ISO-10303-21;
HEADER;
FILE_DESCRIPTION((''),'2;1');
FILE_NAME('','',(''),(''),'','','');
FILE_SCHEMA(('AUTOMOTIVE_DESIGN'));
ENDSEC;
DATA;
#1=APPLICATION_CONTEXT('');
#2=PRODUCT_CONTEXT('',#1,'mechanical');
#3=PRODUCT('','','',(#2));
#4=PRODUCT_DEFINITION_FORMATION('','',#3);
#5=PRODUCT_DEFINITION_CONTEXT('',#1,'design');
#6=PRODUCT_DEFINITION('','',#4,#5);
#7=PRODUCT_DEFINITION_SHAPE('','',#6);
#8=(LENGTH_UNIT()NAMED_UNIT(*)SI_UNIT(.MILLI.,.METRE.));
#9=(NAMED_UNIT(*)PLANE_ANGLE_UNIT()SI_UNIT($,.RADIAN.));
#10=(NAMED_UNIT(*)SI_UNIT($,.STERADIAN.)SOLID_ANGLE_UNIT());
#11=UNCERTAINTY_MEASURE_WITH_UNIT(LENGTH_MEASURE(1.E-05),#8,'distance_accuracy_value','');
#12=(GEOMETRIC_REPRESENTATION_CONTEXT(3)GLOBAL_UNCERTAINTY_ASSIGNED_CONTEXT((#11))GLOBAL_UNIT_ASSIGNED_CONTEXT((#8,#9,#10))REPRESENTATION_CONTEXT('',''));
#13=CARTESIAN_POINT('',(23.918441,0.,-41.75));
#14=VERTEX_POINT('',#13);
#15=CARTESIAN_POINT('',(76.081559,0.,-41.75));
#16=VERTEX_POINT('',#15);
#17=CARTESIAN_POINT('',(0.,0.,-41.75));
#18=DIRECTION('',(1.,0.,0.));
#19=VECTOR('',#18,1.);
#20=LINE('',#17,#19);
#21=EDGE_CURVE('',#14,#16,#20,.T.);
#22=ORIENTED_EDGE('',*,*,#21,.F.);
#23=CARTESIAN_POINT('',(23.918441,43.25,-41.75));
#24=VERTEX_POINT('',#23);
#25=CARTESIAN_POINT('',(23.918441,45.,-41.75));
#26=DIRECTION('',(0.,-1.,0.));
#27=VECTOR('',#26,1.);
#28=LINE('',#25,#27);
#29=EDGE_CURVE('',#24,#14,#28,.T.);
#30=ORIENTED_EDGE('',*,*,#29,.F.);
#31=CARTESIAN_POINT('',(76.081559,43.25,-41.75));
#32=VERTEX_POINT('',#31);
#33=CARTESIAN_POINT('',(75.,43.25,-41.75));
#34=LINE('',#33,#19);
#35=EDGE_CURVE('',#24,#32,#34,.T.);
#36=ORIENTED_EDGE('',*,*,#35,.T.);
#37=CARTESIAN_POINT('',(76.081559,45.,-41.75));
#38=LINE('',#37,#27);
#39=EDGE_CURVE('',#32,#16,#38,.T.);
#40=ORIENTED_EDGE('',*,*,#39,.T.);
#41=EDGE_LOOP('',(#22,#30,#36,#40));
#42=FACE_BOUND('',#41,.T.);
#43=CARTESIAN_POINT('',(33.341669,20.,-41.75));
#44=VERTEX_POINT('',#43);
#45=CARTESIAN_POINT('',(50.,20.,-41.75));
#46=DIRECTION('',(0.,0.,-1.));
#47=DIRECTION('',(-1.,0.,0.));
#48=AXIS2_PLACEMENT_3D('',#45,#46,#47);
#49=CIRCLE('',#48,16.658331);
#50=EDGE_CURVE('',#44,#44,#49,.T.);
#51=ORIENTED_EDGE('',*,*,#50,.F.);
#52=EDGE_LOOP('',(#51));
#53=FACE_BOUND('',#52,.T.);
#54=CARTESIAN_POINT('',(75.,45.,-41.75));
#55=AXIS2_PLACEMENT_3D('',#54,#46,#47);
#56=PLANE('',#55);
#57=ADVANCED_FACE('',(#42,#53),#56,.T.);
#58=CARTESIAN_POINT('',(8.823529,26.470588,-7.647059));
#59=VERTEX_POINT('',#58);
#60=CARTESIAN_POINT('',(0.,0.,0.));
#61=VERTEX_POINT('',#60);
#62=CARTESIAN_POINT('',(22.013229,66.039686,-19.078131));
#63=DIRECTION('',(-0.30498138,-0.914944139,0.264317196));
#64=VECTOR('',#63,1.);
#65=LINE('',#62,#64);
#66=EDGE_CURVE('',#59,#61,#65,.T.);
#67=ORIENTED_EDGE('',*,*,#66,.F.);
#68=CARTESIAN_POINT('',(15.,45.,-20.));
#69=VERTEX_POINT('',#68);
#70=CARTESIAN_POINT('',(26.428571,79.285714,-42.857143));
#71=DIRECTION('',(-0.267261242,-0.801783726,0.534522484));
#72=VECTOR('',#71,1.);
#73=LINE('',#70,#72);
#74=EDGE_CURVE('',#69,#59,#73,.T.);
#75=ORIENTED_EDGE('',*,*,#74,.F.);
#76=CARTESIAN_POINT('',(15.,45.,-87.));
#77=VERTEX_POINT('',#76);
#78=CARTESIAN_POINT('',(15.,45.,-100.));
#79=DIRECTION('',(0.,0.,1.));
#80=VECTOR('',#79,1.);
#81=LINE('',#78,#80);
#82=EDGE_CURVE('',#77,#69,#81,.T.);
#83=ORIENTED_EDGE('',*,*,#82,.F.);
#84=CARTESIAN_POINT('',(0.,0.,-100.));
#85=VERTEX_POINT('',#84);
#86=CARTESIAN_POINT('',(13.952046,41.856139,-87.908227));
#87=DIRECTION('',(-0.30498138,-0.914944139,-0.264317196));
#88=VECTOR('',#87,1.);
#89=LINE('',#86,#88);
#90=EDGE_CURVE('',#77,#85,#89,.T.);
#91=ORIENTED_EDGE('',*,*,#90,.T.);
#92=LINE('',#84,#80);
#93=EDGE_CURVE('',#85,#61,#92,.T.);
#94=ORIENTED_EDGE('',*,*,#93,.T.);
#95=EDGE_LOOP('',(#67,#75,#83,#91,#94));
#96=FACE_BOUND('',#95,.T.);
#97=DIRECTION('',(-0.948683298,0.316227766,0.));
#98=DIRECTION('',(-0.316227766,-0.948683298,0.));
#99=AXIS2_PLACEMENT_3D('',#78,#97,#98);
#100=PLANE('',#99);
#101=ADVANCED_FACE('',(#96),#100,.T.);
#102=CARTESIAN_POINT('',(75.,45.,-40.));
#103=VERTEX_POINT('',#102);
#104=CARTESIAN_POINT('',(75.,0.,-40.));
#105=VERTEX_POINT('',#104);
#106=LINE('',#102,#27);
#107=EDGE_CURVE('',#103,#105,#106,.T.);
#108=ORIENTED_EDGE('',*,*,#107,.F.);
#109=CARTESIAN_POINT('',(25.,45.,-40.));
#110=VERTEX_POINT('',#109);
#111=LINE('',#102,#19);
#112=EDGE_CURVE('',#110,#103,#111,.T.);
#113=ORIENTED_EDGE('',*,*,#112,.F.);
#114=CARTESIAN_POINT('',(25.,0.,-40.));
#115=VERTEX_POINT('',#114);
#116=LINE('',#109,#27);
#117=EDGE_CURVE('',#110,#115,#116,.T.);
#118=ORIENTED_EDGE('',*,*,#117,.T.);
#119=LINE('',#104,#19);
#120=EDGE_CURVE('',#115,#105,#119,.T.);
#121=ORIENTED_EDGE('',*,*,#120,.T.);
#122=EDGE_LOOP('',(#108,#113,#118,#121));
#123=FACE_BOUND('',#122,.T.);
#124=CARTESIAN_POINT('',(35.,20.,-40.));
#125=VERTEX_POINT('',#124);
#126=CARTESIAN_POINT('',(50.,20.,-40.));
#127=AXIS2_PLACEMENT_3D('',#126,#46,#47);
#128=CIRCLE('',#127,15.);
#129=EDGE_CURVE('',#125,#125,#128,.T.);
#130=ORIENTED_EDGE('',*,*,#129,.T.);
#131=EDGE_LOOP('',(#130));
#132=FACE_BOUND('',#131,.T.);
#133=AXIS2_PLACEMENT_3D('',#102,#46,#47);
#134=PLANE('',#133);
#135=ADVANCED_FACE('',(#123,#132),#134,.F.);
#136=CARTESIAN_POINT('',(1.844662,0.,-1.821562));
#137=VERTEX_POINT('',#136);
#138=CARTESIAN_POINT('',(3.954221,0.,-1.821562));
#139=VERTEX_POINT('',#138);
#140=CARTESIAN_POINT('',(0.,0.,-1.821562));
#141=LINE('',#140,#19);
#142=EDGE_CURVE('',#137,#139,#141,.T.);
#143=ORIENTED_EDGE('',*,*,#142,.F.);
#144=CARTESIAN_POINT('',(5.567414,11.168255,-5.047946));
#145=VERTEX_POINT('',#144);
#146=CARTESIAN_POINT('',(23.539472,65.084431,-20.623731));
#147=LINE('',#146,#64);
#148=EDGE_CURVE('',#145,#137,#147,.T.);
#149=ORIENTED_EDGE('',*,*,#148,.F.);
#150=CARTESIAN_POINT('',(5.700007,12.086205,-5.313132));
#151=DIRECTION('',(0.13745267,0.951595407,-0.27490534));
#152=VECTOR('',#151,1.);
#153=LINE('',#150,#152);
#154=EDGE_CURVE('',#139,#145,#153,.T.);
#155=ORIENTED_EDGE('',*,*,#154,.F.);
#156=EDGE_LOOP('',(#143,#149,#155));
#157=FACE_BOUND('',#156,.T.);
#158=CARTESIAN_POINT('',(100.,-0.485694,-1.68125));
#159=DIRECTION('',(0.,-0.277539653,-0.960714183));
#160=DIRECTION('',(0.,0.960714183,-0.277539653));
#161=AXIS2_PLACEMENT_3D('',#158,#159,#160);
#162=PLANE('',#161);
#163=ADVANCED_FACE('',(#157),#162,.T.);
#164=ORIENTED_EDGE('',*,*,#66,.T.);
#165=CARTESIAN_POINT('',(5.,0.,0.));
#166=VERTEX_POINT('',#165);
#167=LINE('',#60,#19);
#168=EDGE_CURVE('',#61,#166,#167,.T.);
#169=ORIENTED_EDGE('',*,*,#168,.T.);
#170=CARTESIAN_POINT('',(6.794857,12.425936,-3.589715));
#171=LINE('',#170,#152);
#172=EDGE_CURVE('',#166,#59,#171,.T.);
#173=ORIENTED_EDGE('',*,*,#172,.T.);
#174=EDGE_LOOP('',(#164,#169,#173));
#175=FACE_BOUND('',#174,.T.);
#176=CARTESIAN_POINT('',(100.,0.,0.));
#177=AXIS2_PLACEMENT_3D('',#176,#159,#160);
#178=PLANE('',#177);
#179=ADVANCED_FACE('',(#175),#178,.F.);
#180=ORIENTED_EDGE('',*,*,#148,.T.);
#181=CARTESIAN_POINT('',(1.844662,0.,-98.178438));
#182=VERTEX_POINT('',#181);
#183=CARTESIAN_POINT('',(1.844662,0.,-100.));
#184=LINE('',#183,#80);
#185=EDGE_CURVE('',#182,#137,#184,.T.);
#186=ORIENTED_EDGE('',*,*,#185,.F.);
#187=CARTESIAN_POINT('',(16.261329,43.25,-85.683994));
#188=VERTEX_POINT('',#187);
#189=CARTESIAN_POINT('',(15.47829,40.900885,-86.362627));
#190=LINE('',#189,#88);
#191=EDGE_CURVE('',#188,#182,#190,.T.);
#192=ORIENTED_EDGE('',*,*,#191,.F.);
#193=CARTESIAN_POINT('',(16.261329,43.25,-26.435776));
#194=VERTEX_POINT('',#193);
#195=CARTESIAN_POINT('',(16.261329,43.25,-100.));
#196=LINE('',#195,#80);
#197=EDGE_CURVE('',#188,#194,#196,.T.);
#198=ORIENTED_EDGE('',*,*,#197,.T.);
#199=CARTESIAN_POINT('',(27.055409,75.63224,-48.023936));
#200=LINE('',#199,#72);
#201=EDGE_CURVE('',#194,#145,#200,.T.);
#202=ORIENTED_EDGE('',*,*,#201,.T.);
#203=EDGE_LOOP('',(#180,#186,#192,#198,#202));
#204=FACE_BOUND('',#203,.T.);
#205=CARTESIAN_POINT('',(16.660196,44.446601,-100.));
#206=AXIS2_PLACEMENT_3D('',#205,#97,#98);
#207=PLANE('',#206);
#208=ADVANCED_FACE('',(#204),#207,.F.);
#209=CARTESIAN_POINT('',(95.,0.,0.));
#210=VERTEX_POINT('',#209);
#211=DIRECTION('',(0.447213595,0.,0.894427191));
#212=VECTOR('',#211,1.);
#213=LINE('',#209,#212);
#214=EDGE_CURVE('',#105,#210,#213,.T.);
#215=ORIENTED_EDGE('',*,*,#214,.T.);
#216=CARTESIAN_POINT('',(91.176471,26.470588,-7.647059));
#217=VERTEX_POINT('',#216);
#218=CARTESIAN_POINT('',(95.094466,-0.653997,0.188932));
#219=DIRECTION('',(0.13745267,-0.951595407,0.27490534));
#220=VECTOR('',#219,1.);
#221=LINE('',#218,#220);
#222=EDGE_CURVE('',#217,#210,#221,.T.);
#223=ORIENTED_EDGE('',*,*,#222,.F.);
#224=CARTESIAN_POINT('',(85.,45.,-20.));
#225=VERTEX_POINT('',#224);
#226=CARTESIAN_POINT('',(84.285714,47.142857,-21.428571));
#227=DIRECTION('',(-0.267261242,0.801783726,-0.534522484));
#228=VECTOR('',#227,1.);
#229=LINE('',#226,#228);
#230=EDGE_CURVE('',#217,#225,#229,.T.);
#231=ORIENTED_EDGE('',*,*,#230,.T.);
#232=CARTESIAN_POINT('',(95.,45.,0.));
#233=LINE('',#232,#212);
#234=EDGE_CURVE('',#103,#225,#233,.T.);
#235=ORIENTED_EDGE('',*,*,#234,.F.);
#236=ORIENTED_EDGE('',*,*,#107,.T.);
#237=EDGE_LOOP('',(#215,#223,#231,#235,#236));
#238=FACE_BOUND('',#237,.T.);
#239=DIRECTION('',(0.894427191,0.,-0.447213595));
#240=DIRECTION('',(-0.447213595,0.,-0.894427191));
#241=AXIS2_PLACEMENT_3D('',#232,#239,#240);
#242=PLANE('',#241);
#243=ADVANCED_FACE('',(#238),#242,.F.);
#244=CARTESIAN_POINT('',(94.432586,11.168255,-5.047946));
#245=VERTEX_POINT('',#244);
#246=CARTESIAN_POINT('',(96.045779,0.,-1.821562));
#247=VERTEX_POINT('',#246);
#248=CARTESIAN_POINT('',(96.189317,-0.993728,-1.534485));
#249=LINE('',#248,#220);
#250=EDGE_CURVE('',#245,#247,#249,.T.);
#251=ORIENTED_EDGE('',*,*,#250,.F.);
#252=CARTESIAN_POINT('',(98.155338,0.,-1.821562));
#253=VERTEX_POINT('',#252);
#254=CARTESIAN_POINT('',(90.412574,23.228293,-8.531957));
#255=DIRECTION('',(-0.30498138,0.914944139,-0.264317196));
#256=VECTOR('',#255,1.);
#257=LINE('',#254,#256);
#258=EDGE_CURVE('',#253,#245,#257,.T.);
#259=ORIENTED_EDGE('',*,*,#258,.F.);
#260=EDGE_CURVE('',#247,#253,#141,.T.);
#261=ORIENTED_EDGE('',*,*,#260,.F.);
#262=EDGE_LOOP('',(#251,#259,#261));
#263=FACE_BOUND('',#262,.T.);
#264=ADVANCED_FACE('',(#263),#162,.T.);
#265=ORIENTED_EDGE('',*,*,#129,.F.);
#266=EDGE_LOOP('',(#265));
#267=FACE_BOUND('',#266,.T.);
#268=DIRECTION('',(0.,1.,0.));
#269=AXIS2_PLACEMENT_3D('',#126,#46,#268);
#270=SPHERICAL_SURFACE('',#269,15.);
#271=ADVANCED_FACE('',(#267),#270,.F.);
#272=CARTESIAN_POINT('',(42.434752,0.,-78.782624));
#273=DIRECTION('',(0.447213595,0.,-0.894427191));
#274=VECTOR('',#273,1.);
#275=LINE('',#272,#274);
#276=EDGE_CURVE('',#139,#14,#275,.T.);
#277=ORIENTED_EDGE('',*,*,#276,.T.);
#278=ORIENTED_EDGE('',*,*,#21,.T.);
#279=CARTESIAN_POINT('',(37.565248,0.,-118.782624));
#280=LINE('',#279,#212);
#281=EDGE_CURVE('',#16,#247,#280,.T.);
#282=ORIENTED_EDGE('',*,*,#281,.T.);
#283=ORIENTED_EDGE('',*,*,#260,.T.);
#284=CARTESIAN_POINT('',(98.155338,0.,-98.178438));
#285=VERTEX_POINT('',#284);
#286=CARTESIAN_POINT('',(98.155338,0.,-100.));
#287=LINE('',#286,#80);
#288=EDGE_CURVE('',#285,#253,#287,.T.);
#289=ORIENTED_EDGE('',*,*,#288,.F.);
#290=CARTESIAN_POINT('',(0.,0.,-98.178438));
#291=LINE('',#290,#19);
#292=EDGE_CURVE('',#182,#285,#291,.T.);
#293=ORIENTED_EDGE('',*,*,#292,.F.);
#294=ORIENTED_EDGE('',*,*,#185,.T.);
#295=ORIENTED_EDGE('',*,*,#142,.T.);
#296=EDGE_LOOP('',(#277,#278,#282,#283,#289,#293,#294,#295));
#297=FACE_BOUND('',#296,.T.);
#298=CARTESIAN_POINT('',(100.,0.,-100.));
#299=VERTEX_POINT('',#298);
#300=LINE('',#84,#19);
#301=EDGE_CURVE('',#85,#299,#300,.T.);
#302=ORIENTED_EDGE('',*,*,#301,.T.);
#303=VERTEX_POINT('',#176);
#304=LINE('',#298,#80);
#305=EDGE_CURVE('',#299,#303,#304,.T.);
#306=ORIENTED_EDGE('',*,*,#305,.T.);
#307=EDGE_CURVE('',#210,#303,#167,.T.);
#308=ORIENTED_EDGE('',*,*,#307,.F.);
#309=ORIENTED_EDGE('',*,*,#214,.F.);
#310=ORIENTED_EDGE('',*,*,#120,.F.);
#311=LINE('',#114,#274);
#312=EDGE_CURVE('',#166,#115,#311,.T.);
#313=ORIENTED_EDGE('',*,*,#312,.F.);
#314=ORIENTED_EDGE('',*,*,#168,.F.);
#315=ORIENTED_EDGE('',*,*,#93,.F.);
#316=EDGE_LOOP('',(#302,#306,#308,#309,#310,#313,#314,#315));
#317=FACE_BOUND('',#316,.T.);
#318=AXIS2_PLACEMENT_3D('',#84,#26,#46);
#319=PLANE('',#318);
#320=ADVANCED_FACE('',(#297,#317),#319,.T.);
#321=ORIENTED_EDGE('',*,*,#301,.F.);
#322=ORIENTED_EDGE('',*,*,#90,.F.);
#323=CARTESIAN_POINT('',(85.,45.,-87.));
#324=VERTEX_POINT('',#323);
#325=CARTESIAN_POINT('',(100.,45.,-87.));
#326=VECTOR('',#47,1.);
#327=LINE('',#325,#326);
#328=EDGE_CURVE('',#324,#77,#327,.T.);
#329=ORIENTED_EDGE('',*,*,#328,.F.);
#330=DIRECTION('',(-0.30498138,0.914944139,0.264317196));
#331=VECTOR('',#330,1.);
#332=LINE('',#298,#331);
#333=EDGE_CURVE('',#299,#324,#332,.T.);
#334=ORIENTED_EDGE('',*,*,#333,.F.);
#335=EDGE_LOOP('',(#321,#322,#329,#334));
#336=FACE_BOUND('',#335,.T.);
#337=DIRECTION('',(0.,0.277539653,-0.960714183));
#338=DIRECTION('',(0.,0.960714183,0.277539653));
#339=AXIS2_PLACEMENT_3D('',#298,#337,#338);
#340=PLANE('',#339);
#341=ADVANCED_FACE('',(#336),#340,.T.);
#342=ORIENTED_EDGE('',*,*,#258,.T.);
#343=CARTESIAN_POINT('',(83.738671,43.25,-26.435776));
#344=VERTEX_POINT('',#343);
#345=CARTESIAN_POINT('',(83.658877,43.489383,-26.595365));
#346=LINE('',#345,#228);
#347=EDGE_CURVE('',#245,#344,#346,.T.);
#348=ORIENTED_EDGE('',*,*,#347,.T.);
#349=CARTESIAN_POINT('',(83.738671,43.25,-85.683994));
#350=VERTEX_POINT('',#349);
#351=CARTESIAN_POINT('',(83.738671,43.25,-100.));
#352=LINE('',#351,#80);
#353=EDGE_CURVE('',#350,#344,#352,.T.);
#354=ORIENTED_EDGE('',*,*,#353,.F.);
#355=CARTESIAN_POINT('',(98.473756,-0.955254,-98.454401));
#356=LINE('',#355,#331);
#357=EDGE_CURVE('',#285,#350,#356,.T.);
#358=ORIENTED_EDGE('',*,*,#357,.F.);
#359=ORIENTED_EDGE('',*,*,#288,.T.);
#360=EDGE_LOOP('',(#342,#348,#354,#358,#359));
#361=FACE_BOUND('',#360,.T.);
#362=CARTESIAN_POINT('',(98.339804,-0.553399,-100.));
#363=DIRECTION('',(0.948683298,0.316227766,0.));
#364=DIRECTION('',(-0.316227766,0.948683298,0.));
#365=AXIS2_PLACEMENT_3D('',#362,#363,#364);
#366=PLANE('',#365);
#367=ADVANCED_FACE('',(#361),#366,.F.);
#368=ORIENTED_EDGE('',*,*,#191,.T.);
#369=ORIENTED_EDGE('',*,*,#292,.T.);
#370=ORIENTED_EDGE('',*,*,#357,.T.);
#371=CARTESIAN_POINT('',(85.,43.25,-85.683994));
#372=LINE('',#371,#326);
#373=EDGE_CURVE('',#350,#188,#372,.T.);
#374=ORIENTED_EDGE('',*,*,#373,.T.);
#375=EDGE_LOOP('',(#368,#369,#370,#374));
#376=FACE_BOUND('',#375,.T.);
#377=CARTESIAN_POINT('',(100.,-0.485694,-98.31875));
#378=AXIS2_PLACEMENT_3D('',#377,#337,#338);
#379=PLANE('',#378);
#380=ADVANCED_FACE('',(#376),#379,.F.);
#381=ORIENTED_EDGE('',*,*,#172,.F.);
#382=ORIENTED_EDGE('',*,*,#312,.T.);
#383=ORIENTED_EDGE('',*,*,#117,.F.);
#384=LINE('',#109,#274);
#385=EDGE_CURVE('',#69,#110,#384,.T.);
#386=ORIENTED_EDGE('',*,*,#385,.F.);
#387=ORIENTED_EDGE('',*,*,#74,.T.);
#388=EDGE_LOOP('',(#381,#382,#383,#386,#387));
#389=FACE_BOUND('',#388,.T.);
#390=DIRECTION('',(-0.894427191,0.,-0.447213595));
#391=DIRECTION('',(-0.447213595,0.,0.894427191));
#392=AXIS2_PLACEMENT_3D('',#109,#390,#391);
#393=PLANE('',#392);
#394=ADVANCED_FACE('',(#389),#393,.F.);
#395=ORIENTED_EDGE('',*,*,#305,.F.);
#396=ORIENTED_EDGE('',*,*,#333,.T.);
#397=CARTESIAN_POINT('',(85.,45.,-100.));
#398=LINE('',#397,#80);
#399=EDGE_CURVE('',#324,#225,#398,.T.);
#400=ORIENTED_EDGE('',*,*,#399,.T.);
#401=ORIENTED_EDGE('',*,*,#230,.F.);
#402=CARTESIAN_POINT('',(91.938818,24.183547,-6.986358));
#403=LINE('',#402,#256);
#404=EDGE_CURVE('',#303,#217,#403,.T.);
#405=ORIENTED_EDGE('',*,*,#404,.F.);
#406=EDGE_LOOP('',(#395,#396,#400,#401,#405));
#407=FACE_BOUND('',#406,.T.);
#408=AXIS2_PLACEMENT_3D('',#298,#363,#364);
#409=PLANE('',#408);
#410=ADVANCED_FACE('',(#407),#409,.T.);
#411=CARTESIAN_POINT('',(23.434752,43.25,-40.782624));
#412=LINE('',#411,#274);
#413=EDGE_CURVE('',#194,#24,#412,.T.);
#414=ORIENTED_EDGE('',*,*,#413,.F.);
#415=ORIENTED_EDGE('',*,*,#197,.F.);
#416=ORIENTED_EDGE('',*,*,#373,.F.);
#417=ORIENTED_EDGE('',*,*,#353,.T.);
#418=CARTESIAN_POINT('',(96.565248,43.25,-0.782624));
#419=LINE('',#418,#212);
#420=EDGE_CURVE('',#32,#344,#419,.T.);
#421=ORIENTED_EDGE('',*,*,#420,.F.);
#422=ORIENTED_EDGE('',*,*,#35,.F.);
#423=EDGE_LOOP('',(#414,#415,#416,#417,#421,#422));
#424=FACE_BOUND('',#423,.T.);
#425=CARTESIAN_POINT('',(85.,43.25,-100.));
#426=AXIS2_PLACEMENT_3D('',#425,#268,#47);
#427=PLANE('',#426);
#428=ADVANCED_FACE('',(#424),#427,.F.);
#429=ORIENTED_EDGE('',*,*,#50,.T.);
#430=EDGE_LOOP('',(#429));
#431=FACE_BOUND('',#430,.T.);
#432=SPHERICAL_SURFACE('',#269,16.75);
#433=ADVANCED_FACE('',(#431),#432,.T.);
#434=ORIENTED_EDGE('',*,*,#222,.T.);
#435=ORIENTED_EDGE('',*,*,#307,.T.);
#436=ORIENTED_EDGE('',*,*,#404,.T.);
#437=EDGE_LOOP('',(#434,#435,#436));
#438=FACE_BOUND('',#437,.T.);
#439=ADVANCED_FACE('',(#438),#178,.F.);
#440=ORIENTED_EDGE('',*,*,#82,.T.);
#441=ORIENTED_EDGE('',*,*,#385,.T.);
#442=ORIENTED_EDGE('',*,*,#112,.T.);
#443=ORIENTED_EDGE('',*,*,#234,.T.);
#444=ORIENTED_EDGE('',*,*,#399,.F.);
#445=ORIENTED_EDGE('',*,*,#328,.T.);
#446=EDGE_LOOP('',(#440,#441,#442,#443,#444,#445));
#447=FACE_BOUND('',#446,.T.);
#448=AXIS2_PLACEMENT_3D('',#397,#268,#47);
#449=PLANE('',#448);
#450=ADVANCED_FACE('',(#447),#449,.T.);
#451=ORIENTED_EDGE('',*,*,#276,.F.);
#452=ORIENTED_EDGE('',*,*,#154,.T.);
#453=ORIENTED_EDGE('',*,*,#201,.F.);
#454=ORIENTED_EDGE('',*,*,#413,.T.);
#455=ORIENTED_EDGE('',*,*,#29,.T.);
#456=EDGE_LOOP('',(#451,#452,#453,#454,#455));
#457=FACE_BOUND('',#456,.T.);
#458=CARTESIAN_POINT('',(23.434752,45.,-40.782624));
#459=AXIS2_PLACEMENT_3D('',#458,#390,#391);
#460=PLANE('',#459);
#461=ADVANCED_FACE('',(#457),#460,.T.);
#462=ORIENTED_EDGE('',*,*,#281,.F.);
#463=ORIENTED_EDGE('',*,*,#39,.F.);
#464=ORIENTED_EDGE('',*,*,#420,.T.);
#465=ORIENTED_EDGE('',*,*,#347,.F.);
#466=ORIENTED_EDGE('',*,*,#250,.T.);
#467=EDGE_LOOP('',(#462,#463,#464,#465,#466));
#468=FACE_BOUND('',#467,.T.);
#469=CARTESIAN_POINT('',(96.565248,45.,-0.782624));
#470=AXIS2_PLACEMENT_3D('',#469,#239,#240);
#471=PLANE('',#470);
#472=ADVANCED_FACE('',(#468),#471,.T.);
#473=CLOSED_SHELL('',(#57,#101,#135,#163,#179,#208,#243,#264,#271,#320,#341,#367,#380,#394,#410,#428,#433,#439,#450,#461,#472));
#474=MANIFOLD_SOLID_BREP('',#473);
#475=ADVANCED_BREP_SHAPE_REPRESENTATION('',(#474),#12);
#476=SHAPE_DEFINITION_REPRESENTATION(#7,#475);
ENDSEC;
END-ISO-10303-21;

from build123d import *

# Parameters (mm, degrees)
GRUNDK_RPER_DEPTH               = 100
SCHRAEGEN_VORNE_DEPTH           = 100
SCHNITT_LINEAR_AUSTRAGEN4_DEPTH = 45
WANDUNG1_T                      = -1.75


with BuildPart() as part:
    # Skizze1 → Grundkörper (new body)
    with BuildSketch(Plane.XY):
        Polygon((0, 0), (100, 0), (85, 45), (15, 45), align=None)
    extrude(amount=-GRUNDK_RPER_DEPTH)

    # Skizze2 → Schraegen_vorne (cut)
    with BuildSketch(Plane(origin=(0, 0, 0), x_dir=(0, 0, -1), z_dir=(1, 0, 0))):
        Polygon((100, 0), (87, 45), (100, 45), align=None)
    schraegen_vorne = extrude(amount=SCHRAEGEN_VORNE_DEPTH, mode=Mode.SUBTRACT)

    # Spiegel_Schraege_hinten: Schraegen_vorne across plane
    add(schraegen_vorne.mirror(Plane.XY.offset(-50)), mode=Mode.SUBTRACT)

    # Skizze4 → Schnitt-Linear austragen4 (cut)
    with BuildSketch(Plane.XZ):
        Polygon((5, 0), (95, 0), (75, -40), (25, -40), align=None)
    extrude(amount=-SCHNITT_LINEAR_AUSTRAGEN4_DEPTH, mode=Mode.SUBTRACT)

    # Skizze6 → Schnitt-Rotation1 (revolve, cut)
    with BuildSketch(Plane.ZY.offset(-50), mode=Mode.PRIVATE) as schnitt_rotation1_sk:
        with BuildLine():
            Line((-55, 20), (-40, 20))
            Line((-40, 20), (-40, 5))
            ThreePointArc((-40, 5), (-50.606601718, 9.393398282), (-55, 20))
        make_face()
    revolve(schnitt_rotation1_sk.sketch.rotate(Axis((50, 20, -127.890936505), (0, 0, 1)), 180), axis=Axis((50, 20, -127.890936505), (0, 0, 1)), mode=Mode.SUBTRACT)

    # Wandung1
    wandung1_openings = [part.faces().sort_by_distance(p)[0] for p in [
        (50, 0, -62.407407407),
    ]]
    offset(amount=WANDUNG1_T, openings=wandung1_openings, kind=Kind.INTERSECTION)


solid = part.part
